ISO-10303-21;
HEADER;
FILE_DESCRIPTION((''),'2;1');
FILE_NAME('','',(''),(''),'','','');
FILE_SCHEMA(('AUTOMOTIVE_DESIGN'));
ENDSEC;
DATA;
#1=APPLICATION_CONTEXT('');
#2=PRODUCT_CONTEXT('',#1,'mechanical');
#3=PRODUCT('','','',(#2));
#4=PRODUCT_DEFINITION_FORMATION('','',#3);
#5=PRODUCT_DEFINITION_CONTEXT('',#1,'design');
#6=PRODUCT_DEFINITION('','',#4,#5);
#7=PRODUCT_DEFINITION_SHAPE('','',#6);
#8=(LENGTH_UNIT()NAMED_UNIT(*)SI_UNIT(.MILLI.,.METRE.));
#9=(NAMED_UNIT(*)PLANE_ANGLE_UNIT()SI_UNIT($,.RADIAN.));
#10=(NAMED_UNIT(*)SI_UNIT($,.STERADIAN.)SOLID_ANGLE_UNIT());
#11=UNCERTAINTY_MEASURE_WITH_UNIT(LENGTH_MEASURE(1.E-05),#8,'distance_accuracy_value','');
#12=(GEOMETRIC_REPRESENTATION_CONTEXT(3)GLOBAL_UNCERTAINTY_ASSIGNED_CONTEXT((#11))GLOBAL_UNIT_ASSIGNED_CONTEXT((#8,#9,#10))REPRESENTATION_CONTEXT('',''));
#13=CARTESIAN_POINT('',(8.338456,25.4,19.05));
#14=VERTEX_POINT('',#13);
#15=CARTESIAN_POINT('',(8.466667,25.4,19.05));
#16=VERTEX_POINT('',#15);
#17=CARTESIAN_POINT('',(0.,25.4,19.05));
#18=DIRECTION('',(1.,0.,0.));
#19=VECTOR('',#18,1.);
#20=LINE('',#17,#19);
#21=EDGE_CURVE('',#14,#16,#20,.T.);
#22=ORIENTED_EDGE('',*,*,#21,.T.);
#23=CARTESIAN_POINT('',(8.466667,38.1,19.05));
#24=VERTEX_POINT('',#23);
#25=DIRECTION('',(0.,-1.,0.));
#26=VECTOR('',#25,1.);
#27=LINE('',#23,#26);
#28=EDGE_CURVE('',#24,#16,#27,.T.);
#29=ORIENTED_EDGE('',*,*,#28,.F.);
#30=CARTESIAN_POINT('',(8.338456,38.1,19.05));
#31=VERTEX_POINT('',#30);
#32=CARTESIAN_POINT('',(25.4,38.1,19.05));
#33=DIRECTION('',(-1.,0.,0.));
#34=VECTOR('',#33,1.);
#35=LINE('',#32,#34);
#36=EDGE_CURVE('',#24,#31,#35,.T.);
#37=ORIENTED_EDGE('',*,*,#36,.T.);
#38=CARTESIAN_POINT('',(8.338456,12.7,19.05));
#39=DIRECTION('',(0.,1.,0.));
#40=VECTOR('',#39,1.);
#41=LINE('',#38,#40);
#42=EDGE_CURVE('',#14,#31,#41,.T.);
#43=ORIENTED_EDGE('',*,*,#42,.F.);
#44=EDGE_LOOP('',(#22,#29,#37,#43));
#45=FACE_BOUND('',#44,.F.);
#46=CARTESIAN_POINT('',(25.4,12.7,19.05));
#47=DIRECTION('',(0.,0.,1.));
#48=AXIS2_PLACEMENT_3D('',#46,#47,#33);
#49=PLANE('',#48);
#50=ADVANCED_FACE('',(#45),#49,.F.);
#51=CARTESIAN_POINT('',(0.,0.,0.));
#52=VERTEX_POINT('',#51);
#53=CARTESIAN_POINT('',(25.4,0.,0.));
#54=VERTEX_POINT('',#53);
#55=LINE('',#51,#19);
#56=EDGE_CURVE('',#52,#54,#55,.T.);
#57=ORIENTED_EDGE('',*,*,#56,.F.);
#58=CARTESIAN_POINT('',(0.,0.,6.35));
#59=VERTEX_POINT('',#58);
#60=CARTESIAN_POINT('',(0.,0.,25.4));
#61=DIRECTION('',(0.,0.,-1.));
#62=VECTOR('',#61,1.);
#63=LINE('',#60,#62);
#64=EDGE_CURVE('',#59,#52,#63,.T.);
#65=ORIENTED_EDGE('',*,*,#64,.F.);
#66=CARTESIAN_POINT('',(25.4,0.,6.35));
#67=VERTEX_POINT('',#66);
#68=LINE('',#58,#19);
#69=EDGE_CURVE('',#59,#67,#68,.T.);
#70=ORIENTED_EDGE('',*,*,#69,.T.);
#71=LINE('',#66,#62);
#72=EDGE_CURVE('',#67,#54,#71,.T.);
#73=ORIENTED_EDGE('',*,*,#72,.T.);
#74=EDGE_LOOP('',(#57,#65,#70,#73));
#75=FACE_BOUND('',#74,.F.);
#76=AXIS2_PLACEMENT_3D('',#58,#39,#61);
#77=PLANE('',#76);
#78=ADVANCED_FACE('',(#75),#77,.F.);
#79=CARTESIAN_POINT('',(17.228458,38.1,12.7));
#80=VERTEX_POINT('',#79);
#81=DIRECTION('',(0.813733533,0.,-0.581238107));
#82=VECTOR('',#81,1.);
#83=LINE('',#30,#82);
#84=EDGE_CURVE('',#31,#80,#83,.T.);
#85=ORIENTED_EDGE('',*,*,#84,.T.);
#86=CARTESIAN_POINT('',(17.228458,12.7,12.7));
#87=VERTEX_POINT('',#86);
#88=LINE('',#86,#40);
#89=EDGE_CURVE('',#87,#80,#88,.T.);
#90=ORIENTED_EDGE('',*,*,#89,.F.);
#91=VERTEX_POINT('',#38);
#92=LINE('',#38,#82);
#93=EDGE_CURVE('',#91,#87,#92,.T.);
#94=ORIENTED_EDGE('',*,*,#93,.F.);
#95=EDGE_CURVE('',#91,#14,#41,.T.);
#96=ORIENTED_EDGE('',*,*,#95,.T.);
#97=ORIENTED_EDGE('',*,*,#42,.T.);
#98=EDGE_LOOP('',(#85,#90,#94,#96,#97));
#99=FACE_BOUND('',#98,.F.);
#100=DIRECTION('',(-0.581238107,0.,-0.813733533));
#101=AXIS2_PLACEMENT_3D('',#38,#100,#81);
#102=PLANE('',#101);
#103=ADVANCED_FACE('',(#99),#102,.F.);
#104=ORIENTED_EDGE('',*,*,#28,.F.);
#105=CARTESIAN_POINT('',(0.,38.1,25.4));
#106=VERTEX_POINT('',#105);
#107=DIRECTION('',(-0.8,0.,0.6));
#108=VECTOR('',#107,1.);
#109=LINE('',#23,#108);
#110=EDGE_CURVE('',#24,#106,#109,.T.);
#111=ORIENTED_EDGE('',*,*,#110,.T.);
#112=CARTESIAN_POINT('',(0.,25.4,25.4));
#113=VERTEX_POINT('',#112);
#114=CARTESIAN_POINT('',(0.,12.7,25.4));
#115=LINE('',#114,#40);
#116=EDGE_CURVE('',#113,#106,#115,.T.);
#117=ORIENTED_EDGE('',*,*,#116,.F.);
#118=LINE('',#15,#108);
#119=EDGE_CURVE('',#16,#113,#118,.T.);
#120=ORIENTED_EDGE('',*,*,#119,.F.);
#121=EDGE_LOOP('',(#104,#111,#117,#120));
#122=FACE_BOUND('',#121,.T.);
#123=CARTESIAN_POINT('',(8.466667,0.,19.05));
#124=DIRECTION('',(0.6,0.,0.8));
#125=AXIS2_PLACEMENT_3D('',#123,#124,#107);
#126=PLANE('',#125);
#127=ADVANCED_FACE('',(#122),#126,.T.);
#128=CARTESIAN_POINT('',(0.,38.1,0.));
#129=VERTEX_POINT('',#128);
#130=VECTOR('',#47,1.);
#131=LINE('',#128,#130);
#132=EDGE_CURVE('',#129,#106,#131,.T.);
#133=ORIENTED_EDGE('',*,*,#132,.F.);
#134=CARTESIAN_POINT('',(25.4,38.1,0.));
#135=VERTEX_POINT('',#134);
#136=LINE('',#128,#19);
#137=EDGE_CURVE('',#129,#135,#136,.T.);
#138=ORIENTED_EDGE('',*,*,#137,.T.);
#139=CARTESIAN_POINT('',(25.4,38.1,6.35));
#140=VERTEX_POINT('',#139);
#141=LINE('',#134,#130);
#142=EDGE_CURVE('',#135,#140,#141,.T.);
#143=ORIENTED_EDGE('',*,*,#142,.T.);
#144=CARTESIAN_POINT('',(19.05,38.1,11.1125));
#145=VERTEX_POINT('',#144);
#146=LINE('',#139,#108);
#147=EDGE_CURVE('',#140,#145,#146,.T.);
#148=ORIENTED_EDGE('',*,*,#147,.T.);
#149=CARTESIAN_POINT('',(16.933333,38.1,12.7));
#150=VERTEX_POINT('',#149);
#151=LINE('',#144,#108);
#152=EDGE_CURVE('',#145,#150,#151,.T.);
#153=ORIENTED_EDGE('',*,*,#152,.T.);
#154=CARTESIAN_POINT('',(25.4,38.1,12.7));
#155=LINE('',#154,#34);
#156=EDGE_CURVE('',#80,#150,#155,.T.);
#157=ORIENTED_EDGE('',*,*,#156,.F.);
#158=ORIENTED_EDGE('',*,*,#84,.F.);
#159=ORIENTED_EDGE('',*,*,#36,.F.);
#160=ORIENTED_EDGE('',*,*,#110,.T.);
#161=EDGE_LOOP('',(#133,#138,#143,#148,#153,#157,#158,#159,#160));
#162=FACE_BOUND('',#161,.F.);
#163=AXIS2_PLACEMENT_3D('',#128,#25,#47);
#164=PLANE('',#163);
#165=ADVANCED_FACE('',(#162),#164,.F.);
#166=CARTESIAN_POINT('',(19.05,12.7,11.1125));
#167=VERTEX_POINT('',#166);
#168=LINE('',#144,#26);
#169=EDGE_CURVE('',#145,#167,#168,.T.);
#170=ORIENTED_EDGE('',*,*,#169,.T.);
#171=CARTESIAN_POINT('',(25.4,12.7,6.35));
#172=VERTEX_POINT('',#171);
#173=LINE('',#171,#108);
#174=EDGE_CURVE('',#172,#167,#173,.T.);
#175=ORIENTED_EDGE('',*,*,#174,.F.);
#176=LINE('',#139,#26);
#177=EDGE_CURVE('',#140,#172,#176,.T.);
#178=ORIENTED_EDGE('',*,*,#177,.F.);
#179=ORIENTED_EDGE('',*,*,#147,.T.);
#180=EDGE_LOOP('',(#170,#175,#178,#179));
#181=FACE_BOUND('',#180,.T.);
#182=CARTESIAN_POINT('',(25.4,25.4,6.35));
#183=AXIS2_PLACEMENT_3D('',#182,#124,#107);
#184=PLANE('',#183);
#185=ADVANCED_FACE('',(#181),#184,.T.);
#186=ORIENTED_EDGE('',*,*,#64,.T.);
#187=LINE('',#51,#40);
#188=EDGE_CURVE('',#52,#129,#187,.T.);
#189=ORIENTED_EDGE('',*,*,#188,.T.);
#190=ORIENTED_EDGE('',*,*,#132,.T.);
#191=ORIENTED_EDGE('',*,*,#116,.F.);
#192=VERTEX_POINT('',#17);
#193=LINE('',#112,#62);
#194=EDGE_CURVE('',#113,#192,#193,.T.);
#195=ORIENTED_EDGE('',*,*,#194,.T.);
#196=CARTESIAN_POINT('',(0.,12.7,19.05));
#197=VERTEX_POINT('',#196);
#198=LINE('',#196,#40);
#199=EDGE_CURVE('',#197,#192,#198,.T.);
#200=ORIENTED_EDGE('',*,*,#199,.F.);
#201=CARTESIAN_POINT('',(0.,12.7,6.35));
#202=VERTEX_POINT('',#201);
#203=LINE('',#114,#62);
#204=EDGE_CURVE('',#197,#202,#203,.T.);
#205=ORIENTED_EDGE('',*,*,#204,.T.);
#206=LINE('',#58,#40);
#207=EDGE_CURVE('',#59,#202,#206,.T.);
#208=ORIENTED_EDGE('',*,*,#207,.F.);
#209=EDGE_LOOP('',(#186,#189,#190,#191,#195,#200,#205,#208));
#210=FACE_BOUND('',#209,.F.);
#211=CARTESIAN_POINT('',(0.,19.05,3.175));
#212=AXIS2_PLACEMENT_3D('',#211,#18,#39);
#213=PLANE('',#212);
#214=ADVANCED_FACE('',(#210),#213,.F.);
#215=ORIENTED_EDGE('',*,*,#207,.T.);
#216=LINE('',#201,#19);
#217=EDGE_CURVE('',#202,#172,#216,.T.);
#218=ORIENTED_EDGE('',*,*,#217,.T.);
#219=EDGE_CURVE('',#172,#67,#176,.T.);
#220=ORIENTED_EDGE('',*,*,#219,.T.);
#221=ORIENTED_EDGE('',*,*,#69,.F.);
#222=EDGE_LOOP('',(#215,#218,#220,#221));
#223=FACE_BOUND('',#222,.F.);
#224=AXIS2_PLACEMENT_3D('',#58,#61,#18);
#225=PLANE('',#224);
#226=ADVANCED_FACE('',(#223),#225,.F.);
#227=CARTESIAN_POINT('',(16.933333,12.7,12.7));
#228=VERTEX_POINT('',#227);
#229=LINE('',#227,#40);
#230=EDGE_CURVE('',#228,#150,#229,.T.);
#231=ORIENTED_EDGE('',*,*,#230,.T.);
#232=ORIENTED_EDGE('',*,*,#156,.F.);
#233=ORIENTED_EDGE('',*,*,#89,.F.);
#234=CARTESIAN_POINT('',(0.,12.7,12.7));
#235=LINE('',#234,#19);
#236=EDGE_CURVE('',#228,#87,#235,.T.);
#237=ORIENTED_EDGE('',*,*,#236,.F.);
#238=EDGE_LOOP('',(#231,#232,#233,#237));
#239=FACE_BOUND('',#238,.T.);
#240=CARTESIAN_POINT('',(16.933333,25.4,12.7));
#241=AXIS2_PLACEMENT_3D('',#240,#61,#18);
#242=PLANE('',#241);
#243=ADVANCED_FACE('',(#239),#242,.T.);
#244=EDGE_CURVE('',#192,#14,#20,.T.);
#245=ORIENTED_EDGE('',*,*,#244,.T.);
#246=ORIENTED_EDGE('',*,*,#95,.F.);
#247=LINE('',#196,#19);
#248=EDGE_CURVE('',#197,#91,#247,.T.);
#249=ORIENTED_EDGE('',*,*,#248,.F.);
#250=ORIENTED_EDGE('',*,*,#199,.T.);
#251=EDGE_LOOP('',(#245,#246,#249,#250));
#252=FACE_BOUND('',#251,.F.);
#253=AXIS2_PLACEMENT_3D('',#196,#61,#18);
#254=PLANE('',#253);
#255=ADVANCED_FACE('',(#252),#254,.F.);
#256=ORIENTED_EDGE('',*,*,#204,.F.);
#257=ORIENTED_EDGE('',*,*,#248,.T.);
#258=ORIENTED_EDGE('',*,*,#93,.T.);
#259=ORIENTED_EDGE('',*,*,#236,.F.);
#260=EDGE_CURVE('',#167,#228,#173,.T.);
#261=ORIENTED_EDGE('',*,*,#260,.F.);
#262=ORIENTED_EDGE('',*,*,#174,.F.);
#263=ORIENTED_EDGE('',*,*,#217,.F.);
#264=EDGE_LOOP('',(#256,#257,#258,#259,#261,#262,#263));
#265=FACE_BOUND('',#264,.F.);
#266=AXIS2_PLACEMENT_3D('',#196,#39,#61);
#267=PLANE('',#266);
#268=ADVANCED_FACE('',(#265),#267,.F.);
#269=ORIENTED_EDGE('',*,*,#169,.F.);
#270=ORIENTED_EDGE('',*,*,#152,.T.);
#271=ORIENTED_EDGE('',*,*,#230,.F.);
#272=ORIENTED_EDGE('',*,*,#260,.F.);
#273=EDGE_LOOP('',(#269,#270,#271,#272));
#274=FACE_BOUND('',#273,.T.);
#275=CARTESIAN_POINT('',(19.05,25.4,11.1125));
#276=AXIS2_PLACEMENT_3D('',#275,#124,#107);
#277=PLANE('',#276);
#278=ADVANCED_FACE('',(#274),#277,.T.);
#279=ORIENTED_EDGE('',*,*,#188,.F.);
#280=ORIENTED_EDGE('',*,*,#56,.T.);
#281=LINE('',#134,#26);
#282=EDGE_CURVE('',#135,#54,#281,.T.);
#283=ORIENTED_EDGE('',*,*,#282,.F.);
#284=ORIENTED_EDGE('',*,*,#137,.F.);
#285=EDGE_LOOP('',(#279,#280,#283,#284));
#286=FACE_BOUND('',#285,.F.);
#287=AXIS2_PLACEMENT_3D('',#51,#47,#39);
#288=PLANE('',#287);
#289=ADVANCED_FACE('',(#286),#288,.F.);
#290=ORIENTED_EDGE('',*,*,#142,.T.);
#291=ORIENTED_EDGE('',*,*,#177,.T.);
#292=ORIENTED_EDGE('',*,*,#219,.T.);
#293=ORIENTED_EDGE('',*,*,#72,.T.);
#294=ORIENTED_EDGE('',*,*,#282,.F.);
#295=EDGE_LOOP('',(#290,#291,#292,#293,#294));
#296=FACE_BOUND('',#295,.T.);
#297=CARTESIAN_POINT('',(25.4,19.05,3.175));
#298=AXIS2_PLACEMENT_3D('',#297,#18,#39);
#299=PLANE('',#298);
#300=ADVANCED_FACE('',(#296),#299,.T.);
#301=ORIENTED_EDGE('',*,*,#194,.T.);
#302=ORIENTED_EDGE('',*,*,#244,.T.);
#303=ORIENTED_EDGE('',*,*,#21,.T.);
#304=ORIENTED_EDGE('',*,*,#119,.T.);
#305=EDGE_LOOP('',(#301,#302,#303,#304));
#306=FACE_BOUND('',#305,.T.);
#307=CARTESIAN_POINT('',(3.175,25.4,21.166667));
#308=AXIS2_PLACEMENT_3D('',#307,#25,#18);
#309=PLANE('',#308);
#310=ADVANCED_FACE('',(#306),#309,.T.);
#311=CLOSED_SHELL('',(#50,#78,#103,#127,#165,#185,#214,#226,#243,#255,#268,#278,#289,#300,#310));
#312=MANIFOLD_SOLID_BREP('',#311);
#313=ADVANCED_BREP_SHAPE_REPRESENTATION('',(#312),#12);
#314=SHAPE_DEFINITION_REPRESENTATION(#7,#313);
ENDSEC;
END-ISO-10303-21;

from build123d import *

# Parameters (mm, degrees)
F2_DEPTH  = 25.4
F3_DEPTH  = 25.4
F5_DEPTH  = 12.7
F7_DEPTH  = 12.7
F9_DEPTH  = 25.4
F10_DEPTH = 12.7
F11_DEPTH = 12.7


with BuildPart() as f2:
    # F1 (on Right) → F2 (new body)
    with BuildSketch(Plane.YZ):
        Polygon((0, 6.35), (0, 0), (38.1, 0), (38.1, 6.35), (25.4, 6.35), (12.7, 6.35), align=None)
        Polygon((25.4, 6.35), (38.1, 6.35), (38.1, 25.4), (25.4, 25.4), (25.4, 19.05), (12.7, 19.05), (12.7, 12.7), (25.4, 12.7), align=None)
    extrude(amount=F2_DEPTH)

    # F0 (on Front) → F3 (join)
    with BuildSketch(Plane.XZ):
        Polygon((0, 6.35), (0, 0), (25.4, 0), (25.4, 6.35), (19.05, 6.35), align=None)
        Polygon((0, 19.05), (0, 6.35), (19.05, 6.35), (19.05, 11.1125), (8.4666666667, 19.05), align=None)
        Polygon((19.05, 6.35), (25.4, 6.35), (19.05, 11.1125), align=None)
        Polygon((0, 25.4), (0, 19.05), (8.4666666667, 19.05), align=None)
    extrude(amount=-F3_DEPTH)

    # F4 (on face) → F5 (cut)
    with BuildSketch(Plane.XZ):
        Polygon((25.4, 6.35), (0, 25.4), (0, 6.35), align=None)
    extrude(amount=-F5_DEPTH, mode=Mode.SUBTRACT)

    # F7 (cut): a face of the model
    f7_faces = [f2.faces().sort_by_distance(p)[0] for p in [
        (14.6755555556, 25.4, 22.4366666667),
    ]]
    extrude(f7_faces, amount=-F7_DEPTH, mode=Mode.SUBTRACT)

    # F8 (on face) → F9 (cut)
    with BuildSketch(Plane.XZ.offset(-12.7)):
        Polygon((8.4666666667, 19.05), (8.3384562082, 19.05), (17.2284582002, 12.7), (25.4, 12.7), (25.4, 19.05), align=None)
    extrude(amount=-F9_DEPTH, mode=Mode.SUBTRACT)

    # F6 (on face) → F10 (cut)
    with BuildSketch(Plane.XZ.offset(-12.7)):
        Polygon((0, 19.05), (8.4666666667, 19.05), (0, 25.4), align=None)
    extrude(amount=-F10_DEPTH, mode=Mode.SUBTRACT)

    # F11 (cut): a face of the model
    f11_faces = [f2.faces().sort_by_distance(p)[0] for p in [
        (22.5777777778, 25.4, 10.5833333333),
    ]]
    extrude(f11_faces, amount=-F11_DEPTH, mode=Mode.SUBTRACT)


solid = f2.part
